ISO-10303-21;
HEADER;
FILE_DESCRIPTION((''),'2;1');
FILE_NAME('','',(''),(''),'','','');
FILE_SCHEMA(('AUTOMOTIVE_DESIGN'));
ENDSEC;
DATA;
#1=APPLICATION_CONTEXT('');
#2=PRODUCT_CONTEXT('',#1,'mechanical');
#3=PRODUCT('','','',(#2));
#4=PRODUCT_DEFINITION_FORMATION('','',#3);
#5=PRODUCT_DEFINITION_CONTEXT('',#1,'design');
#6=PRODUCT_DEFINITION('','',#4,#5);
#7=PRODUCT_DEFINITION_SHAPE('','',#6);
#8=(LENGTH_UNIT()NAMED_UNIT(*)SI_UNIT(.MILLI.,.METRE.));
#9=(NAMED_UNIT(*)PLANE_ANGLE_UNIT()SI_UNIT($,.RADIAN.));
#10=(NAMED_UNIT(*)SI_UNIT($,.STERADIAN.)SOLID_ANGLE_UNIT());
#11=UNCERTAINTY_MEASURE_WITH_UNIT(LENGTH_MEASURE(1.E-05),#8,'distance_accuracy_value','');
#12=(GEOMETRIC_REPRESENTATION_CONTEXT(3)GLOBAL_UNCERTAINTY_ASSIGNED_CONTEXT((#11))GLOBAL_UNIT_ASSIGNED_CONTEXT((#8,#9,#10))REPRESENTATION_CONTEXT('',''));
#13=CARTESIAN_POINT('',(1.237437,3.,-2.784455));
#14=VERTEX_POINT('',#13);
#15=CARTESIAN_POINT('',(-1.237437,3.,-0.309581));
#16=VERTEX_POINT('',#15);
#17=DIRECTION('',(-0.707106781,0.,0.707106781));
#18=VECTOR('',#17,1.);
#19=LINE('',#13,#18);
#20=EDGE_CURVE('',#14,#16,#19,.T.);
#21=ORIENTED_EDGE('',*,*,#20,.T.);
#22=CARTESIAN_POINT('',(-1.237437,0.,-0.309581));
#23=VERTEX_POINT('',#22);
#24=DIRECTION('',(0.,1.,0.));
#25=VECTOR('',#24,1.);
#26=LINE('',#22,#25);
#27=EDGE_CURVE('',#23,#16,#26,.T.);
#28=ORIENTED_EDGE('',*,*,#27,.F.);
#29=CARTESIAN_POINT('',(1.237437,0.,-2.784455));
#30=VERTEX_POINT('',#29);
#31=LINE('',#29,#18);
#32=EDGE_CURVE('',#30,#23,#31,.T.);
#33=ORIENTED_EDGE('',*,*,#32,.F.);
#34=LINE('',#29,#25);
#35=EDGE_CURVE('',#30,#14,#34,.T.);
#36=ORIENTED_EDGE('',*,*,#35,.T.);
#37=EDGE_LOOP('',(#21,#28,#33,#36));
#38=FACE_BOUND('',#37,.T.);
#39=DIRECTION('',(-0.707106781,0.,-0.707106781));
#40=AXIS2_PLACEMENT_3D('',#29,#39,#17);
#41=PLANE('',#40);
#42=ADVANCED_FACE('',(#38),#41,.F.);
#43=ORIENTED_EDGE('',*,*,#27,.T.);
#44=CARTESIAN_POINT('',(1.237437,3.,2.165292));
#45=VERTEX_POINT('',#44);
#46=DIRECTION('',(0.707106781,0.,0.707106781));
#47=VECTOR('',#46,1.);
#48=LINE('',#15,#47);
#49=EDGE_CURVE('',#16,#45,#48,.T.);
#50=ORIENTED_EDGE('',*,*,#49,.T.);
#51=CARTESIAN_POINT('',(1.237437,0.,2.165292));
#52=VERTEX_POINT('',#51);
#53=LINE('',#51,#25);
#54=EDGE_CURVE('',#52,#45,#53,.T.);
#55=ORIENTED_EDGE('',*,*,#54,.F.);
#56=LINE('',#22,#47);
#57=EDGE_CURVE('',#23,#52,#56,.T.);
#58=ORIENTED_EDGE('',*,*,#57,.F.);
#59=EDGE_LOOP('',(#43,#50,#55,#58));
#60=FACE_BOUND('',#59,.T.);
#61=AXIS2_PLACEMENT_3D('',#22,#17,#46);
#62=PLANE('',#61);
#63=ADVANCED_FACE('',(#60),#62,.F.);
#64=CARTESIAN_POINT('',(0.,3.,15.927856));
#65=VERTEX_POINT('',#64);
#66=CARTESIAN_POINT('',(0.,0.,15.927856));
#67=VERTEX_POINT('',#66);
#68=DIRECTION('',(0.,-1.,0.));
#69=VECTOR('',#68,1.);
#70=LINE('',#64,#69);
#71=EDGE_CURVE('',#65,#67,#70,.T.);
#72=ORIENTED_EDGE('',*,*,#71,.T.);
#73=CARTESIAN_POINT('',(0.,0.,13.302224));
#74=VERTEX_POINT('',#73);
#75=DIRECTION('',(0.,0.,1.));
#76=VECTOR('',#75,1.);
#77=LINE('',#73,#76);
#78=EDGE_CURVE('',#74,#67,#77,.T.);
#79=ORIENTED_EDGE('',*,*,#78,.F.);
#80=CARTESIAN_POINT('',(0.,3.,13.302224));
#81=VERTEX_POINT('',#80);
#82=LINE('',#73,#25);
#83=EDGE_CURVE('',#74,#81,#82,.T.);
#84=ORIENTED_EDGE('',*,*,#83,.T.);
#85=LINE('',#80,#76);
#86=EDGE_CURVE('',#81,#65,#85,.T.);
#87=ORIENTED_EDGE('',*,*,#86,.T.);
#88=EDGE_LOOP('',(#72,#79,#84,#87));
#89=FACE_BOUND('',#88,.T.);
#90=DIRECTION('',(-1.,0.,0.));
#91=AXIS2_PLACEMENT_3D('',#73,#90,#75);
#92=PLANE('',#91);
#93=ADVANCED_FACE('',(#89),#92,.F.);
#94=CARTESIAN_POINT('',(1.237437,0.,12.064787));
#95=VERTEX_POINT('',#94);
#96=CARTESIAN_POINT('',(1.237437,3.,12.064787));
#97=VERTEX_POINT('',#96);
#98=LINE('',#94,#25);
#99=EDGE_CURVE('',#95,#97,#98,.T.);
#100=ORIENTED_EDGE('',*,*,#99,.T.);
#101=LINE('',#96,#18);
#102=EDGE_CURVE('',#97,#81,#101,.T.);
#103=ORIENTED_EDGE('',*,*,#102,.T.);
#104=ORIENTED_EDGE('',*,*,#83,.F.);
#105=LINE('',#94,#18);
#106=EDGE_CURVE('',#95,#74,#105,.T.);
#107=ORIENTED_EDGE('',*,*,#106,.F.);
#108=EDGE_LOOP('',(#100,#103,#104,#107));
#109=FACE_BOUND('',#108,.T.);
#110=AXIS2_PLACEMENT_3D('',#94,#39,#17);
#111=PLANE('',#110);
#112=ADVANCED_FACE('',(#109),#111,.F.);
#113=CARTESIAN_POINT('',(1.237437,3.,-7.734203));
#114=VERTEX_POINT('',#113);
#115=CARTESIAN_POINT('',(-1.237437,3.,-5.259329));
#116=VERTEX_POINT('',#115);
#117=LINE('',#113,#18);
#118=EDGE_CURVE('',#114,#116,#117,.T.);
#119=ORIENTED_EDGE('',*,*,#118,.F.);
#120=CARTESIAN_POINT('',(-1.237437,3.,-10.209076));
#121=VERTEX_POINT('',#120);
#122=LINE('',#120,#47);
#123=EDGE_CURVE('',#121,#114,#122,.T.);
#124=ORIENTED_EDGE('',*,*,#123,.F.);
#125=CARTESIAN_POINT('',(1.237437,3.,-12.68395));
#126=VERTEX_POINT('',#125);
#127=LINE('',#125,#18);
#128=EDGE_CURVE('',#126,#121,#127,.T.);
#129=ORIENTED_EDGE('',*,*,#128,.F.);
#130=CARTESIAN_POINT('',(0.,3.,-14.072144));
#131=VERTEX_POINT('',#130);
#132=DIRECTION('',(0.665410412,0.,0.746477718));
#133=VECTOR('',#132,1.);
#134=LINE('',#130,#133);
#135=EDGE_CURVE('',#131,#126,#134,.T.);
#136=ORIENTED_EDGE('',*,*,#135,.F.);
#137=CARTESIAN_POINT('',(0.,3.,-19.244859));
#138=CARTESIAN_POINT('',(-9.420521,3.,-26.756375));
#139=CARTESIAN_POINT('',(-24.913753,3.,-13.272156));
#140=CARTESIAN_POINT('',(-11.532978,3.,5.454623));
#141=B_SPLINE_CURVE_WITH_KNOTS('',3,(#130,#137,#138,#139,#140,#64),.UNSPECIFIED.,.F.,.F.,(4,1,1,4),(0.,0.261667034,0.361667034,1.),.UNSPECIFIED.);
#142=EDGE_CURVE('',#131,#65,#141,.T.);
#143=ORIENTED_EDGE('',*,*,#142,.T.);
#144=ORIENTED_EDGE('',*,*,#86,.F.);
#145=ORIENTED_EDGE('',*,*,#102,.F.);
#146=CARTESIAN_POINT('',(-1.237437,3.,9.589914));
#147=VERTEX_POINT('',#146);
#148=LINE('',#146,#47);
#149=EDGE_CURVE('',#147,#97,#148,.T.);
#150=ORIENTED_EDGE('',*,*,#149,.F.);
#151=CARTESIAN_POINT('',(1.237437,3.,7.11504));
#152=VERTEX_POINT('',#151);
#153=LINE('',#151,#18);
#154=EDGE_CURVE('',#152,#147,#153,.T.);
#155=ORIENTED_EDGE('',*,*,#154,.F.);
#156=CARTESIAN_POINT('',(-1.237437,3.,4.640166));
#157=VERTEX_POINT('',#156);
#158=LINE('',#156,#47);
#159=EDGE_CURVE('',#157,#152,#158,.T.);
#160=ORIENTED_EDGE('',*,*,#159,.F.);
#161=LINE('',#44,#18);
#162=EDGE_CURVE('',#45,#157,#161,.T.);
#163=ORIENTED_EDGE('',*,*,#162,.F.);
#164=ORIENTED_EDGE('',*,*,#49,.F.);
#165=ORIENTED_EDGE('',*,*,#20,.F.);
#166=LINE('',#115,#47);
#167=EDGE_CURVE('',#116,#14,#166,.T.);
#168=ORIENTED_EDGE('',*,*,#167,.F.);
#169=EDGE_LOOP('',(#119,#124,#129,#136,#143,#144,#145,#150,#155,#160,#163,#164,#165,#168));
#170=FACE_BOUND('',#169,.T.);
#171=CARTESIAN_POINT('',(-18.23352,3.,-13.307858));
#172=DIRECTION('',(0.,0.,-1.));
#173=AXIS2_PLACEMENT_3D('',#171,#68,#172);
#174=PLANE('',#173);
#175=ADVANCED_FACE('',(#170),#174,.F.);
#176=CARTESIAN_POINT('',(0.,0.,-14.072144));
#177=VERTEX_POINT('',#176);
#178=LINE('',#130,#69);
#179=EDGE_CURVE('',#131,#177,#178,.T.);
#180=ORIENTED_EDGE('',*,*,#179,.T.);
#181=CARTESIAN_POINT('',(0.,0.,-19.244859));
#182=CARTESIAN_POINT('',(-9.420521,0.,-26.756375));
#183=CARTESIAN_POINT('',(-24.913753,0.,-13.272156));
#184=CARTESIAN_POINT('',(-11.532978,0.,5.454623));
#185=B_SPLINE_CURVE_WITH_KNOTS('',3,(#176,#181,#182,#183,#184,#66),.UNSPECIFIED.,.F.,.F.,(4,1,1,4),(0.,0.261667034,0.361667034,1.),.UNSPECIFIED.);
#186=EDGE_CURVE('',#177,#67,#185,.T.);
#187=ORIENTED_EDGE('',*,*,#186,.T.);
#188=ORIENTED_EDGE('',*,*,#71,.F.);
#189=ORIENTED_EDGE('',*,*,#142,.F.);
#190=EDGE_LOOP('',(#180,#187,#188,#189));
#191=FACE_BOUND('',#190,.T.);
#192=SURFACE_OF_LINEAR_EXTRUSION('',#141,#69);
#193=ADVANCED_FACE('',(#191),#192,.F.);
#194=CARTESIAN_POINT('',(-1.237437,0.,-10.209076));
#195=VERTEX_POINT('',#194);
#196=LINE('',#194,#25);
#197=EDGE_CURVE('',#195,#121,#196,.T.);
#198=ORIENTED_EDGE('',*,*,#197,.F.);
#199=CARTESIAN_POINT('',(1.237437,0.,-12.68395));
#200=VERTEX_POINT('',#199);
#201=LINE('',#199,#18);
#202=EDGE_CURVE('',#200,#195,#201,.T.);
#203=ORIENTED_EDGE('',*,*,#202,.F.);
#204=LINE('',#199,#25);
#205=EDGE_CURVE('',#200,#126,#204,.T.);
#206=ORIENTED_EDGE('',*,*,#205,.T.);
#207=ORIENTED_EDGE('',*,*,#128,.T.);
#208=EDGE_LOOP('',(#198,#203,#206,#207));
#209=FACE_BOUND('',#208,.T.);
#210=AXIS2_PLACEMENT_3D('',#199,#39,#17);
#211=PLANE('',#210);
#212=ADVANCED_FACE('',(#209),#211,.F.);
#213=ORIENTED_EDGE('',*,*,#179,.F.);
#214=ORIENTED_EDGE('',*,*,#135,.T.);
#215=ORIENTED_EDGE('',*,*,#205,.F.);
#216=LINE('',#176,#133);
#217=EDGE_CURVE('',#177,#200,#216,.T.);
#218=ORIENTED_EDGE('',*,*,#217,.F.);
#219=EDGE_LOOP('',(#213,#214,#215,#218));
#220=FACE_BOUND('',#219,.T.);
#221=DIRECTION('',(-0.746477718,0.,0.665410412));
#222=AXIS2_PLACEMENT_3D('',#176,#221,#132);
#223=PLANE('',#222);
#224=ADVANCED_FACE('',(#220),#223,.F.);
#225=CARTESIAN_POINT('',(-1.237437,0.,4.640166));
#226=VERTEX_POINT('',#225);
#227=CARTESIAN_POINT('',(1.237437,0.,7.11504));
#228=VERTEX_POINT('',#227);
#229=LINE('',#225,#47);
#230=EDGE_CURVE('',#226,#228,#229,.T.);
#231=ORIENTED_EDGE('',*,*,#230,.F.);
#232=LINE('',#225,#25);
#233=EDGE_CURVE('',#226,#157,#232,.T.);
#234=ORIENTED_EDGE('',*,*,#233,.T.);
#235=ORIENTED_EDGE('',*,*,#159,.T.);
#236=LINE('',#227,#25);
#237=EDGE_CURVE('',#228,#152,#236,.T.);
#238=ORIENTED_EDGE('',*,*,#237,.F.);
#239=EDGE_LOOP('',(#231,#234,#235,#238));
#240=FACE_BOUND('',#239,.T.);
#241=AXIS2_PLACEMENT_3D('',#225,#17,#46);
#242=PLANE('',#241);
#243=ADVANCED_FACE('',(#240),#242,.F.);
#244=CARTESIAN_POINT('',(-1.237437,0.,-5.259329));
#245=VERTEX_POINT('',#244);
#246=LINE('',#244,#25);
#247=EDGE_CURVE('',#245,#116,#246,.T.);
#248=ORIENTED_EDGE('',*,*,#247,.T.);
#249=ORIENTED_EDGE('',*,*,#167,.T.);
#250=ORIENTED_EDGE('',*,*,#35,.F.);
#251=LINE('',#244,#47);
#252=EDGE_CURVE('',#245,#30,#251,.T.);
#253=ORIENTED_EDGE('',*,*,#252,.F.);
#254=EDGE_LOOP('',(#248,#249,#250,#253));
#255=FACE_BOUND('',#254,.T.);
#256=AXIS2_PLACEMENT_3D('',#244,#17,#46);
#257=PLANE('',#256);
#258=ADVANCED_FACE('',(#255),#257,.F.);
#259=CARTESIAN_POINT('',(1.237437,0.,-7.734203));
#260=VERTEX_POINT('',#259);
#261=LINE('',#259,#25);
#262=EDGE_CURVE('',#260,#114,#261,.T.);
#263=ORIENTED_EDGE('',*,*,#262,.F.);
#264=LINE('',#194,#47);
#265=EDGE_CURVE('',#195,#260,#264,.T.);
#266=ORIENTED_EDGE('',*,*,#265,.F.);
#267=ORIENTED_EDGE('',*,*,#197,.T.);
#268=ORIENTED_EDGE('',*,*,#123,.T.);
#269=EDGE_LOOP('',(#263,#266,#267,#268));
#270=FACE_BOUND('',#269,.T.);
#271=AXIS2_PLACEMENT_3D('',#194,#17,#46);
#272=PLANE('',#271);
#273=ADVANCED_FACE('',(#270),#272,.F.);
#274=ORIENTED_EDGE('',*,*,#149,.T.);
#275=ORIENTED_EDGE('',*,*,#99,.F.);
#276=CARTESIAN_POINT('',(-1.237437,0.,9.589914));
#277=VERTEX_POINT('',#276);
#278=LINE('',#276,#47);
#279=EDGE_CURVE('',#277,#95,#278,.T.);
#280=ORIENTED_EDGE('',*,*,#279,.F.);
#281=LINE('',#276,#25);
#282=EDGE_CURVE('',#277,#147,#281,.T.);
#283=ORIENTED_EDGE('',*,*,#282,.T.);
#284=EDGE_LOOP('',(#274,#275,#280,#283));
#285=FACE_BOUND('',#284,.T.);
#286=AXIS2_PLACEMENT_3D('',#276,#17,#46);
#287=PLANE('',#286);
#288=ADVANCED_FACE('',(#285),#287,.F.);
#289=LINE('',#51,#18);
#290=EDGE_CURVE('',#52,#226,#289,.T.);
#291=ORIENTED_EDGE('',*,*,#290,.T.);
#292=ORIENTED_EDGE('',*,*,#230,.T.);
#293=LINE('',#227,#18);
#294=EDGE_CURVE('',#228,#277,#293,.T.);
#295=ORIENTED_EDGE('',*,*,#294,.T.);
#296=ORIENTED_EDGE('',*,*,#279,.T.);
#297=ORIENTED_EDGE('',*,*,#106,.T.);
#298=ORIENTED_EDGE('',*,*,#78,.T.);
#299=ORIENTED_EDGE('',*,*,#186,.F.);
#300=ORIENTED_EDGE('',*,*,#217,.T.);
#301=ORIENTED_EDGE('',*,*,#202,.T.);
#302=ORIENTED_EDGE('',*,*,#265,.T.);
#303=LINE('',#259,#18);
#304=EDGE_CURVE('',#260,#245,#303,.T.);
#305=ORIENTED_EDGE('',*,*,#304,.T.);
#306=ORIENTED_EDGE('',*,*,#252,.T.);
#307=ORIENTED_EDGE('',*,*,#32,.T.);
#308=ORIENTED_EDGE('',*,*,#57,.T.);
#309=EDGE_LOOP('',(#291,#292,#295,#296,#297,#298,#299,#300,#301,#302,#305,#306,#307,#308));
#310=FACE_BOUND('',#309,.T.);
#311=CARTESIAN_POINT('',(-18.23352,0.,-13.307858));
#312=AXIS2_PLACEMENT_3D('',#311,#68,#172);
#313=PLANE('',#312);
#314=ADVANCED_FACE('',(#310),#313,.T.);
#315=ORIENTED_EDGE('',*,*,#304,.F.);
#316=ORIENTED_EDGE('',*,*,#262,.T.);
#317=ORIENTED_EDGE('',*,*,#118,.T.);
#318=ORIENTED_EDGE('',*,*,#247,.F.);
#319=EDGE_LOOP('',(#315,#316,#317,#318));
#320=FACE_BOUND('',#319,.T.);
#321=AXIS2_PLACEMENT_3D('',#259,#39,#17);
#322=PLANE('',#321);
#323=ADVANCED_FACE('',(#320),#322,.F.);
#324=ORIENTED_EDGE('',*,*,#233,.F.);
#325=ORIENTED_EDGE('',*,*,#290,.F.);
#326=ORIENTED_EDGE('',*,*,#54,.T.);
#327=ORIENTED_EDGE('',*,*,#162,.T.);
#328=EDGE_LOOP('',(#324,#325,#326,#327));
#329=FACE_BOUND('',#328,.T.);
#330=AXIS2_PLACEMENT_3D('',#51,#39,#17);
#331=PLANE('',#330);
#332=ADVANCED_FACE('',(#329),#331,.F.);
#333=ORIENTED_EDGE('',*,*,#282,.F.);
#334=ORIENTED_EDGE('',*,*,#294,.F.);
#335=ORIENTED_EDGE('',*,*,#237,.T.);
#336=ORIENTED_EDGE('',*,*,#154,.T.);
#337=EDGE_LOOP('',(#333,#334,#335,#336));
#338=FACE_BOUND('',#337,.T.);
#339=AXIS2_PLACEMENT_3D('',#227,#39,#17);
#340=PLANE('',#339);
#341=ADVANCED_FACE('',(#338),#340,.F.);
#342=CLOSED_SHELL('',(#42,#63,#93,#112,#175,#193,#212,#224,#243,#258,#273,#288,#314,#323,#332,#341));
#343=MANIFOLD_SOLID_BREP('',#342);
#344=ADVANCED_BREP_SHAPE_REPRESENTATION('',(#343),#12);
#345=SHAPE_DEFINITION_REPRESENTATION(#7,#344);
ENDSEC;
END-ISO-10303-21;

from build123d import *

# Parameters (mm, degrees)
BOSS_EXTRUDE1_DEPTH = 3
CUT_EXTRUDE1_DEPTH  = 3


with BuildPart() as part:
    # Sketch1 → Boss-Extrude1 (new body)
    with BuildSketch(Plane(origin=(0, 0, 0), x_dir=(1, 0, 0), z_dir=(0, 1, 0))):
        with BuildLine():
            add(Edge.make_bspline(
                [(0, 14.072144476), (0, 19.244859197), (9.420520606, 26.756374749), (24.913753139, 13.272155804), (11.532977672, -5.454623459), (0, -15.927855524)],
                knots=[0, 0, 0, 0, 0.261667034, 0.361667034, 1, 1, 1, 1], degree=3))
            add(Edge.make_bspline(
                [(0, 14.072144476), (0, 19.244859197), (-9.420520606, 26.756374749), (-24.913753139, 13.272155804), (-11.532977672, -5.454623459), (0, -15.927855524)],
                knots=[0, 0, 0, 0, 0.261667034, 0.361667034, 1, 1, 1, 1], degree=3))
        make_face()
    extrude(amount=BOSS_EXTRUDE1_DEPTH)

    # Sketch3 → Cut-Extrude1 (cut)
    with BuildSketch(Plane(origin=(0, 3, 0), x_dir=(1, 0, 0), z_dir=(0, 1, 0))):
        with BuildLine():
            Line((0, 14.072144476), (1.237436867, 12.683950014))
            Line((1.237436867, 12.683950014), (-1.237436867, 10.20907628))
            Line((-1.237436867, 10.20907628), (1.237436867, 7.734202545))
            Line((1.237436867, 7.734202545), (-1.237436867, 5.259328811))
            Line((-1.237436867, 5.259328811), (1.237436867, 2.784455077))
            Line((1.237436867, 2.784455077), (-1.237436867, 0.309581343))
            Line((-1.237436867, 0.309581343), (1.237436867, -2.165292391))
            Line((1.237436867, -2.165292391), (-1.237436867, -4.640166125))
            Line((-1.237436867, -4.640166125), (1.237436867, -7.11503986))
            Line((1.237436867, -7.11503986), (-1.237436867, -9.589913594))
            Line((-1.237436867, -9.589913594), (1.237436867, -12.064787328))
            Line((1.237436867, -12.064787328), (0, -13.302224195))
            Line((0, -13.302224195), (0, -15.927855524))
            add(Edge.make_bspline(
                [(0, -15.927855524), (11.532977672, -5.454623459), (24.913753139, 13.272155804), (9.420520606, 26.756374749), (0, 19.244859197), (0, 14.072144476)],
                knots=[0, 0, 0, 0, 0.638332966, 0.738332966, 1, 1, 1, 1], degree=3))
        make_face()
    extrude(amount=-CUT_EXTRUDE1_DEPTH, mode=Mode.SUBTRACT)


solid = part.part
